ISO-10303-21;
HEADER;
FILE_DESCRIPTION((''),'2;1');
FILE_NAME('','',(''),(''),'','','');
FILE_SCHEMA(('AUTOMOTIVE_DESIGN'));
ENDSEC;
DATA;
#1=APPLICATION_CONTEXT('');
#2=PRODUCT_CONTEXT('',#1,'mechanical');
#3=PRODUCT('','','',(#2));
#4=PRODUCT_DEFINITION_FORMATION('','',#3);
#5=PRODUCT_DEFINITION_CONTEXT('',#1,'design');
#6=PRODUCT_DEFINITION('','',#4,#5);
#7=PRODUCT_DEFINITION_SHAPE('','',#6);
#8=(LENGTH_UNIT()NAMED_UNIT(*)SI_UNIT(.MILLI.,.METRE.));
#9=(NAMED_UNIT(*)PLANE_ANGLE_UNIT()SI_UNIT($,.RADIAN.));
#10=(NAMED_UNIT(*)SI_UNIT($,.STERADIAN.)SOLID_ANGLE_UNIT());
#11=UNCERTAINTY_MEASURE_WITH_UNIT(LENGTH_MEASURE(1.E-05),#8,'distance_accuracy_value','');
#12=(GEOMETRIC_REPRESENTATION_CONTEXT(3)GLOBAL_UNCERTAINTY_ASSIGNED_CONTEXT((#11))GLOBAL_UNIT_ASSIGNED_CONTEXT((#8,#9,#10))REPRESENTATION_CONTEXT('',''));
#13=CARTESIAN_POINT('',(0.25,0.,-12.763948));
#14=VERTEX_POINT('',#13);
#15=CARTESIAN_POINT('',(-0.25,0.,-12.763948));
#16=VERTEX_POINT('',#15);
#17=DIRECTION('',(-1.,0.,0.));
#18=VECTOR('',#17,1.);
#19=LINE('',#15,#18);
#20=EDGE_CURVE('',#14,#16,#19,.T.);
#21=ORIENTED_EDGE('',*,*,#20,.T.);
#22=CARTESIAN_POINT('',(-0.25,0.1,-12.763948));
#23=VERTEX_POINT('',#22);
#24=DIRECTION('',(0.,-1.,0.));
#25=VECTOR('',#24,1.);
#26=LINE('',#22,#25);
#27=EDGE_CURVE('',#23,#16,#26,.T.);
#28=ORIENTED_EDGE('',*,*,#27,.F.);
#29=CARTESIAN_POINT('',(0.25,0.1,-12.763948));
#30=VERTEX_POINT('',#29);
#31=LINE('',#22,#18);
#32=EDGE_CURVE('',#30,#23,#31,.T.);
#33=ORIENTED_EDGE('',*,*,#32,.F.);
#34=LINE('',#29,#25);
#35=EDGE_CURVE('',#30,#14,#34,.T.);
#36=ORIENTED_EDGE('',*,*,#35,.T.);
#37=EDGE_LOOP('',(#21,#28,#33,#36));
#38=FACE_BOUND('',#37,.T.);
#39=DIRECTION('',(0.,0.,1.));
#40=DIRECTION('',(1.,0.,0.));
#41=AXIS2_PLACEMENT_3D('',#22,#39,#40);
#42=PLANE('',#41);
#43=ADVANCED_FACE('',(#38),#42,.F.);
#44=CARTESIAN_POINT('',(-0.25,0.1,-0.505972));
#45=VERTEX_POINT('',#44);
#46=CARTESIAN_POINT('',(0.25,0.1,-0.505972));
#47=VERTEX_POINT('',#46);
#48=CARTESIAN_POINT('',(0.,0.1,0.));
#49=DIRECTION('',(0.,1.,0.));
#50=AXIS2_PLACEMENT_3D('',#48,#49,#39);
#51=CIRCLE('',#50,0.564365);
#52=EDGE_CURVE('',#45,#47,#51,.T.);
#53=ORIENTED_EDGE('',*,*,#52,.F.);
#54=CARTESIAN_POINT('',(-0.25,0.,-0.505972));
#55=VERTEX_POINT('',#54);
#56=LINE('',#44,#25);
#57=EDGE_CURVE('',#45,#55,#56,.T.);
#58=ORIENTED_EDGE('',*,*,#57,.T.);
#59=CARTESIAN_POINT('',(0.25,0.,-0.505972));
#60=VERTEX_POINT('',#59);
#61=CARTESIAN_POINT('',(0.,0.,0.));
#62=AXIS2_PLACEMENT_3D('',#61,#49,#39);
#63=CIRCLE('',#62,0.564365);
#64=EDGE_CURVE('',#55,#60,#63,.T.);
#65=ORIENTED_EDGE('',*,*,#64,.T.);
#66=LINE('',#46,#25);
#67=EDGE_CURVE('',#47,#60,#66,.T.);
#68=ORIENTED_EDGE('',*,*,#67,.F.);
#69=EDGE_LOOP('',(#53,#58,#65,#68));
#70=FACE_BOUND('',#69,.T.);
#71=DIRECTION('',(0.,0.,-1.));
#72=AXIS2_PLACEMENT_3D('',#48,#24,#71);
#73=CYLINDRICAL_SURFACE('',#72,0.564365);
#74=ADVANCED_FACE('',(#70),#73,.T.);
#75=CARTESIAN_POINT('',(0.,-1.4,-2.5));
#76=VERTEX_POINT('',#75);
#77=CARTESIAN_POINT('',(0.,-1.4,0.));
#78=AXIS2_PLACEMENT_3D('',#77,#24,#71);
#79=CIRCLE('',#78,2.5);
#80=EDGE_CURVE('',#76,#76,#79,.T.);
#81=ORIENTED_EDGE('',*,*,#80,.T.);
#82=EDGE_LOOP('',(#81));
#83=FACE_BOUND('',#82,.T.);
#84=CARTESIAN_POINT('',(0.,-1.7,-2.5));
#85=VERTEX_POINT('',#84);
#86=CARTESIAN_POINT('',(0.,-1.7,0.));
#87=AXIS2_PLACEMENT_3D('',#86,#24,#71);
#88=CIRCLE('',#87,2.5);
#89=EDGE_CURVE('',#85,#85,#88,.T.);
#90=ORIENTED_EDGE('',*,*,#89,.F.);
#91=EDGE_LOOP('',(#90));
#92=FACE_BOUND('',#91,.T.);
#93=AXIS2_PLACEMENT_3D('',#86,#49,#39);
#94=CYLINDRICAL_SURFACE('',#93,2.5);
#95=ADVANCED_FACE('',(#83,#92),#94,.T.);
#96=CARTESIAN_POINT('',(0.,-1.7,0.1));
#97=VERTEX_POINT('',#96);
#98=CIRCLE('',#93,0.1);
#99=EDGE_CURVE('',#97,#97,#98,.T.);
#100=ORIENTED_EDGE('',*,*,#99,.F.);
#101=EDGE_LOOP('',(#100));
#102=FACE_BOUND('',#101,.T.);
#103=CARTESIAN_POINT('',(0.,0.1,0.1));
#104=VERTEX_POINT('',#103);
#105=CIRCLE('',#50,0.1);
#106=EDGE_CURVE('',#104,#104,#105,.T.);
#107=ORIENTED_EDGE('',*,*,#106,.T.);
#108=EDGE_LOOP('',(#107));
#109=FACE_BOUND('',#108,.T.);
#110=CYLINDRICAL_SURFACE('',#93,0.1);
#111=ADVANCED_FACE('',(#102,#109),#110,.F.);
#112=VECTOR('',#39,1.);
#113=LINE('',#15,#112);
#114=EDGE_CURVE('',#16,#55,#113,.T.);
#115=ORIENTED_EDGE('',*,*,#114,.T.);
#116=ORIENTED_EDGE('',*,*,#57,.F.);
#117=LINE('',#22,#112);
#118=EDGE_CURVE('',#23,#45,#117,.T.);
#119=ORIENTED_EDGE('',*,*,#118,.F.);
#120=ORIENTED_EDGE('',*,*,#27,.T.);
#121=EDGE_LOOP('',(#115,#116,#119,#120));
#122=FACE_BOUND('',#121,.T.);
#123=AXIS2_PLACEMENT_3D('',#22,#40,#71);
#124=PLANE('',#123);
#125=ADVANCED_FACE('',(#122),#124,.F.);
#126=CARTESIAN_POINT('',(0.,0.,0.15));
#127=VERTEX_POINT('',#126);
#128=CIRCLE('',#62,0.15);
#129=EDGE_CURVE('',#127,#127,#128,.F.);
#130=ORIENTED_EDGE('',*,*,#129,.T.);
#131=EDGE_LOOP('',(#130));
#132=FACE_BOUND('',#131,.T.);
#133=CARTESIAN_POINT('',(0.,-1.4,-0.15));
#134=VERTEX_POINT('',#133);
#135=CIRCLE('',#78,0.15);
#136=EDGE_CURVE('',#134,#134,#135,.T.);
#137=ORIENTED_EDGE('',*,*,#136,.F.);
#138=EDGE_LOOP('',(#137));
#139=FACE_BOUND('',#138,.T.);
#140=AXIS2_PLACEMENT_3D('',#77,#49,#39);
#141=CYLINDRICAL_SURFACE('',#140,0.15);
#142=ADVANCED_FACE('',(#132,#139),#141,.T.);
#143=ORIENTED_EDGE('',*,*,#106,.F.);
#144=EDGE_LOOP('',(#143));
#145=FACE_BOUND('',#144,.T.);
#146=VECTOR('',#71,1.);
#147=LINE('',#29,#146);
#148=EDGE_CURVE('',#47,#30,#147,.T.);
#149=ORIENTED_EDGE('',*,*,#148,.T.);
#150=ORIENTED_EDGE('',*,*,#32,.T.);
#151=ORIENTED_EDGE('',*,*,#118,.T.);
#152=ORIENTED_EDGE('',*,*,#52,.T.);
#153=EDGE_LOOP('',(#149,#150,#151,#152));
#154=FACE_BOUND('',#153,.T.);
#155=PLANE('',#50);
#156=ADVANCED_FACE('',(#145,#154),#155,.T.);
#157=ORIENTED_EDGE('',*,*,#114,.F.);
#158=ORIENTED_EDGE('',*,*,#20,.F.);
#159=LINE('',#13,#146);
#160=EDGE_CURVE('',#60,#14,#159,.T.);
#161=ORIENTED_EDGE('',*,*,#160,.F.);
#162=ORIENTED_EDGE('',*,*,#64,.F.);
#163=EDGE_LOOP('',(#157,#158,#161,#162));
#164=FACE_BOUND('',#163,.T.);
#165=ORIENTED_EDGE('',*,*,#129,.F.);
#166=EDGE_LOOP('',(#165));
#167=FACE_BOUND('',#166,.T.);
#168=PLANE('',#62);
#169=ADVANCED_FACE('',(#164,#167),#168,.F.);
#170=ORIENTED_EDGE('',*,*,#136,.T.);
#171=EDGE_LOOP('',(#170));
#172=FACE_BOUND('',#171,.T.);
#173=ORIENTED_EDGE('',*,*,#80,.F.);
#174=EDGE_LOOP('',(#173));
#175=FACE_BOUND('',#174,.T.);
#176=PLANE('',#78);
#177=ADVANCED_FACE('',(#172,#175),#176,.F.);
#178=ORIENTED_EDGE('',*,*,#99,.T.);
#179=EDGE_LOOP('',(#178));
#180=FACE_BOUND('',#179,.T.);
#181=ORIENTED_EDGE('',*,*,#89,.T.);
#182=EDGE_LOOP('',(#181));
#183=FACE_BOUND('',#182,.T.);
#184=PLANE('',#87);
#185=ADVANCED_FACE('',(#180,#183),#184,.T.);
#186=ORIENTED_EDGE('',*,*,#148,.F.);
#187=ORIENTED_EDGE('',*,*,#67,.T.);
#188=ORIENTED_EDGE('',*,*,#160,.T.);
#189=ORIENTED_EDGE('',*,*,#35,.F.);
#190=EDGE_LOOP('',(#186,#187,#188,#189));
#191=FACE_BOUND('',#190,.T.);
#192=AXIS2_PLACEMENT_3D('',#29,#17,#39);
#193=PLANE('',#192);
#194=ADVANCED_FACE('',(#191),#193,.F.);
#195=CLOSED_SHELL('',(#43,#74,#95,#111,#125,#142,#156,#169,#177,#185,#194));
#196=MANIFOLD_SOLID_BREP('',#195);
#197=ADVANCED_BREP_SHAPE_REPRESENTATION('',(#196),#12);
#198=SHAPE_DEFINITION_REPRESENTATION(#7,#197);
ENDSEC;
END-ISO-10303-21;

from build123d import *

# Parameters (mm, degrees)
BOSS_EXTRUDE1_DEPTH = 0.1
SKETCH2_R           = 0.15
BOSS_EXTRUDE2_DEPTH = 1.5
SKETCH3_R           = 2.5
BOSS_EXTRUDE3_DEPTH = 0.3
SKETCH4_R           = 0.1
CUT_EXTRUDE1_DEPTH  = 2.8


with BuildPart() as part:
    # Sketch1 → Boss-Extrude1 (new body)
    with BuildSketch(Plane(origin=(0, 0, 0), x_dir=(1, 0, 0), z_dir=(0, 1, 0))):
        with BuildLine():
            Line((-0.25, 12.763947624), (0.25, 12.763947624))
            Line((0.25, 12.763947624), (0.25, 0.505972083))
            ThreePointArc((0.25, 0.505972083), (0, -0.564364907), (-0.25, 0.505972083))
            Line((-0.25, 0.505972083), (-0.25, 12.763947624))
        make_face()
    extrude(amount=BOSS_EXTRUDE1_DEPTH)

    # Sketch2 → Boss-Extrude2 (add)
    with BuildSketch(Plane.XZ.offset(-0.1)):
        Circle(SKETCH2_R)
    extrude(amount=BOSS_EXTRUDE2_DEPTH)

    # Sketch3 → Boss-Extrude3 (add)
    with BuildSketch(Plane.XZ.offset(1.4)):
        Circle(SKETCH3_R)
    extrude(amount=BOSS_EXTRUDE3_DEPTH)

    # Sketch4 → Cut-Extrude1 (cut, through all)
    with BuildSketch(Plane(origin=(0, 0.1, 0), x_dir=(1, 0, 0), z_dir=(0, 1, 0))):
        Circle(SKETCH4_R)
    extrude(amount=-CUT_EXTRUDE1_DEPTH, mode=Mode.SUBTRACT)


solid = part.part
